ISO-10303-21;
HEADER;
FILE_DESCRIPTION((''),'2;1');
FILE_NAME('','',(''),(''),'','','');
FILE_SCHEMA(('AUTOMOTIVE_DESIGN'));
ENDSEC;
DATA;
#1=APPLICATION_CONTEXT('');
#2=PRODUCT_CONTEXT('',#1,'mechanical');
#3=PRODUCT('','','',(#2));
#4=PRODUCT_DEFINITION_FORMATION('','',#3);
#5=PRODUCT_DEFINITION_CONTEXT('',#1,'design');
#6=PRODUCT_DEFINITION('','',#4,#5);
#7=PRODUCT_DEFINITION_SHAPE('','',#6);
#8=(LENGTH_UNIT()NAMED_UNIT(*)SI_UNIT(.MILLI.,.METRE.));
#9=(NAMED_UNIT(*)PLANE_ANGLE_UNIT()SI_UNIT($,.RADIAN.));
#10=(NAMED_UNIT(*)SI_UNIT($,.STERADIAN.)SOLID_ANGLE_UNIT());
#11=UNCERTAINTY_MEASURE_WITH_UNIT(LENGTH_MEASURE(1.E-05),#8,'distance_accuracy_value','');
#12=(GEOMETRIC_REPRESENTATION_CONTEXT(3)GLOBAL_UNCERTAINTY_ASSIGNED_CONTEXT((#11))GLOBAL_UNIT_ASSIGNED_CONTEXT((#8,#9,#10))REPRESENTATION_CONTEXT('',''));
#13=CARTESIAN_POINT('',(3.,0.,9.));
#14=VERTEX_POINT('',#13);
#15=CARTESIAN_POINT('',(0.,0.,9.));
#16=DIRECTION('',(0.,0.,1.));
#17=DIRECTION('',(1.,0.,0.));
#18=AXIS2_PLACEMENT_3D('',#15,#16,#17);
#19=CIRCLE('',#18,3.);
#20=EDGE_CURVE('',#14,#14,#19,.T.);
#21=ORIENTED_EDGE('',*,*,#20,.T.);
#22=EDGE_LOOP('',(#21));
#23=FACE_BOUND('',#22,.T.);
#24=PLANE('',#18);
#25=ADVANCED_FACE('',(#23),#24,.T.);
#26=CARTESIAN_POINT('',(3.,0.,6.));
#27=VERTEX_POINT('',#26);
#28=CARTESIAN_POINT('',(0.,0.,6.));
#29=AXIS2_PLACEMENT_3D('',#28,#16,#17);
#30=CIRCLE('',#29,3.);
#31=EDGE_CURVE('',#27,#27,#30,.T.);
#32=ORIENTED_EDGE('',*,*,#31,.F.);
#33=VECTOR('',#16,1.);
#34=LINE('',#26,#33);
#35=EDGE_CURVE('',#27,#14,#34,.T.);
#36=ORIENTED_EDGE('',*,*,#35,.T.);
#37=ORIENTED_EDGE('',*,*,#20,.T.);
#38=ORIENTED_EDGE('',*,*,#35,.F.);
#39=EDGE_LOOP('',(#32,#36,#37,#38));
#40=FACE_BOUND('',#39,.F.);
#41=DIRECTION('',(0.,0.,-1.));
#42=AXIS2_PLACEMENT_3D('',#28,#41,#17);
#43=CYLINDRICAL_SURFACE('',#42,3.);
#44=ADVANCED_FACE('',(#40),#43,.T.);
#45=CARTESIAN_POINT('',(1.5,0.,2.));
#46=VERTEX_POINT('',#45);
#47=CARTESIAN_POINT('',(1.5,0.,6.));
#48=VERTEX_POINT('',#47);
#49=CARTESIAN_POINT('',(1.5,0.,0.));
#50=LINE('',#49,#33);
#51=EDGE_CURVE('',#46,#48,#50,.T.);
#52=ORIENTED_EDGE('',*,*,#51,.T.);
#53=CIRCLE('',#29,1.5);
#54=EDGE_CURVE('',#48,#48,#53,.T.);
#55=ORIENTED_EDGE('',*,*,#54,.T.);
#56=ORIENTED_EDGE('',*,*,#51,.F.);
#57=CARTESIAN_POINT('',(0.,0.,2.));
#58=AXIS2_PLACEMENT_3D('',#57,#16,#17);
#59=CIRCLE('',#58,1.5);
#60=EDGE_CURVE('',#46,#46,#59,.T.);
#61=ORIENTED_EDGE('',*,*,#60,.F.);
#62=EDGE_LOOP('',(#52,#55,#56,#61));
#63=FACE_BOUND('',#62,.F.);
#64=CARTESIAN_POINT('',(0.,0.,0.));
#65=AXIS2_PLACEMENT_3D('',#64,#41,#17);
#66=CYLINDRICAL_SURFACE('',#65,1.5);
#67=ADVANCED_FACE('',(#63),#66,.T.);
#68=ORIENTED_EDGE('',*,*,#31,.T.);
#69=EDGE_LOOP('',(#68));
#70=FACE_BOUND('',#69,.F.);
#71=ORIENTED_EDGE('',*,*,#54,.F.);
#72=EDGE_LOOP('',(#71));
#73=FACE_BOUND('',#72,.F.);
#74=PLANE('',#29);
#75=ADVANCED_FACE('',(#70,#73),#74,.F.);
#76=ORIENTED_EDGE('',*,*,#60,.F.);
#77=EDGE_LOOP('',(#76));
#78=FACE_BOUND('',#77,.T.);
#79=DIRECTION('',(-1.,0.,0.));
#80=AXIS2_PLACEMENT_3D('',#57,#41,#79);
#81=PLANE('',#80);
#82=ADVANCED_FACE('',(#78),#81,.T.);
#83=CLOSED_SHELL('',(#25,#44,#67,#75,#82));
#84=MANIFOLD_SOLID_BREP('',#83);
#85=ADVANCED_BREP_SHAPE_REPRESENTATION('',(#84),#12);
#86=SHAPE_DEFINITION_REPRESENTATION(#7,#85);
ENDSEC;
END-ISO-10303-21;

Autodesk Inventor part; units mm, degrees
ref_plane "YZ Plane" through (0, 0, 0) normal (1, 0, 0) x (0, 1, 0)
ref_plane "XZ Plane" through (0, 0, 0) normal (0, 1, 0) x (-1, 0, 0)
ref_plane "XY Plane" through (0, 0, 0) normal (0, 0, 1) x (1, 0, 0)
sketch "スケッチ1" plane through (0, 0, 0) normal (0, 0, 1) x (1, 0, 0)
  circle A0 centre (0, 0) radius 1.5
  dimension "d0" = 3
extrude "押し出し1" add sketch "スケッチ1" along normal blind 6
sketch "スケッチ2" plane through (0, 0, 6) normal (0, 0, 1) x (1, 0, 0)
  circle A0 centre (0, 0) radius 1.5 projected
  circle A1 centre (0, 0) radius 3
  dimension "d3" = 6
extrude "押し出し2" add sketch "スケッチ2" along normal blind 3 contours A0 | A1
thread "ねじ1" size "M3x0.5" class "6g" standard "ANSI Metric M Profile" full length
sketch "スケッチ4" plane through (0, 0, 0) normal (0, 0, -1) x (-1, 0, 0)
  circle A0 centre (0, 0) radius 1.5 projected
extrude "押し出し4" cut sketch "スケッチ4" against normal blind 1.25
sketch "スケッチ5" plane through (0, 0, 1.25) normal (0, 0, -1) x (-1, 0, 0)
  circle A0 centre (0, 0) radius 1.5 projected
extrude "押し出し5" cut sketch "スケッチ5" against normal blind 0.75
properties part number "SB　4mm ボルト" material "Steel, Mild"
